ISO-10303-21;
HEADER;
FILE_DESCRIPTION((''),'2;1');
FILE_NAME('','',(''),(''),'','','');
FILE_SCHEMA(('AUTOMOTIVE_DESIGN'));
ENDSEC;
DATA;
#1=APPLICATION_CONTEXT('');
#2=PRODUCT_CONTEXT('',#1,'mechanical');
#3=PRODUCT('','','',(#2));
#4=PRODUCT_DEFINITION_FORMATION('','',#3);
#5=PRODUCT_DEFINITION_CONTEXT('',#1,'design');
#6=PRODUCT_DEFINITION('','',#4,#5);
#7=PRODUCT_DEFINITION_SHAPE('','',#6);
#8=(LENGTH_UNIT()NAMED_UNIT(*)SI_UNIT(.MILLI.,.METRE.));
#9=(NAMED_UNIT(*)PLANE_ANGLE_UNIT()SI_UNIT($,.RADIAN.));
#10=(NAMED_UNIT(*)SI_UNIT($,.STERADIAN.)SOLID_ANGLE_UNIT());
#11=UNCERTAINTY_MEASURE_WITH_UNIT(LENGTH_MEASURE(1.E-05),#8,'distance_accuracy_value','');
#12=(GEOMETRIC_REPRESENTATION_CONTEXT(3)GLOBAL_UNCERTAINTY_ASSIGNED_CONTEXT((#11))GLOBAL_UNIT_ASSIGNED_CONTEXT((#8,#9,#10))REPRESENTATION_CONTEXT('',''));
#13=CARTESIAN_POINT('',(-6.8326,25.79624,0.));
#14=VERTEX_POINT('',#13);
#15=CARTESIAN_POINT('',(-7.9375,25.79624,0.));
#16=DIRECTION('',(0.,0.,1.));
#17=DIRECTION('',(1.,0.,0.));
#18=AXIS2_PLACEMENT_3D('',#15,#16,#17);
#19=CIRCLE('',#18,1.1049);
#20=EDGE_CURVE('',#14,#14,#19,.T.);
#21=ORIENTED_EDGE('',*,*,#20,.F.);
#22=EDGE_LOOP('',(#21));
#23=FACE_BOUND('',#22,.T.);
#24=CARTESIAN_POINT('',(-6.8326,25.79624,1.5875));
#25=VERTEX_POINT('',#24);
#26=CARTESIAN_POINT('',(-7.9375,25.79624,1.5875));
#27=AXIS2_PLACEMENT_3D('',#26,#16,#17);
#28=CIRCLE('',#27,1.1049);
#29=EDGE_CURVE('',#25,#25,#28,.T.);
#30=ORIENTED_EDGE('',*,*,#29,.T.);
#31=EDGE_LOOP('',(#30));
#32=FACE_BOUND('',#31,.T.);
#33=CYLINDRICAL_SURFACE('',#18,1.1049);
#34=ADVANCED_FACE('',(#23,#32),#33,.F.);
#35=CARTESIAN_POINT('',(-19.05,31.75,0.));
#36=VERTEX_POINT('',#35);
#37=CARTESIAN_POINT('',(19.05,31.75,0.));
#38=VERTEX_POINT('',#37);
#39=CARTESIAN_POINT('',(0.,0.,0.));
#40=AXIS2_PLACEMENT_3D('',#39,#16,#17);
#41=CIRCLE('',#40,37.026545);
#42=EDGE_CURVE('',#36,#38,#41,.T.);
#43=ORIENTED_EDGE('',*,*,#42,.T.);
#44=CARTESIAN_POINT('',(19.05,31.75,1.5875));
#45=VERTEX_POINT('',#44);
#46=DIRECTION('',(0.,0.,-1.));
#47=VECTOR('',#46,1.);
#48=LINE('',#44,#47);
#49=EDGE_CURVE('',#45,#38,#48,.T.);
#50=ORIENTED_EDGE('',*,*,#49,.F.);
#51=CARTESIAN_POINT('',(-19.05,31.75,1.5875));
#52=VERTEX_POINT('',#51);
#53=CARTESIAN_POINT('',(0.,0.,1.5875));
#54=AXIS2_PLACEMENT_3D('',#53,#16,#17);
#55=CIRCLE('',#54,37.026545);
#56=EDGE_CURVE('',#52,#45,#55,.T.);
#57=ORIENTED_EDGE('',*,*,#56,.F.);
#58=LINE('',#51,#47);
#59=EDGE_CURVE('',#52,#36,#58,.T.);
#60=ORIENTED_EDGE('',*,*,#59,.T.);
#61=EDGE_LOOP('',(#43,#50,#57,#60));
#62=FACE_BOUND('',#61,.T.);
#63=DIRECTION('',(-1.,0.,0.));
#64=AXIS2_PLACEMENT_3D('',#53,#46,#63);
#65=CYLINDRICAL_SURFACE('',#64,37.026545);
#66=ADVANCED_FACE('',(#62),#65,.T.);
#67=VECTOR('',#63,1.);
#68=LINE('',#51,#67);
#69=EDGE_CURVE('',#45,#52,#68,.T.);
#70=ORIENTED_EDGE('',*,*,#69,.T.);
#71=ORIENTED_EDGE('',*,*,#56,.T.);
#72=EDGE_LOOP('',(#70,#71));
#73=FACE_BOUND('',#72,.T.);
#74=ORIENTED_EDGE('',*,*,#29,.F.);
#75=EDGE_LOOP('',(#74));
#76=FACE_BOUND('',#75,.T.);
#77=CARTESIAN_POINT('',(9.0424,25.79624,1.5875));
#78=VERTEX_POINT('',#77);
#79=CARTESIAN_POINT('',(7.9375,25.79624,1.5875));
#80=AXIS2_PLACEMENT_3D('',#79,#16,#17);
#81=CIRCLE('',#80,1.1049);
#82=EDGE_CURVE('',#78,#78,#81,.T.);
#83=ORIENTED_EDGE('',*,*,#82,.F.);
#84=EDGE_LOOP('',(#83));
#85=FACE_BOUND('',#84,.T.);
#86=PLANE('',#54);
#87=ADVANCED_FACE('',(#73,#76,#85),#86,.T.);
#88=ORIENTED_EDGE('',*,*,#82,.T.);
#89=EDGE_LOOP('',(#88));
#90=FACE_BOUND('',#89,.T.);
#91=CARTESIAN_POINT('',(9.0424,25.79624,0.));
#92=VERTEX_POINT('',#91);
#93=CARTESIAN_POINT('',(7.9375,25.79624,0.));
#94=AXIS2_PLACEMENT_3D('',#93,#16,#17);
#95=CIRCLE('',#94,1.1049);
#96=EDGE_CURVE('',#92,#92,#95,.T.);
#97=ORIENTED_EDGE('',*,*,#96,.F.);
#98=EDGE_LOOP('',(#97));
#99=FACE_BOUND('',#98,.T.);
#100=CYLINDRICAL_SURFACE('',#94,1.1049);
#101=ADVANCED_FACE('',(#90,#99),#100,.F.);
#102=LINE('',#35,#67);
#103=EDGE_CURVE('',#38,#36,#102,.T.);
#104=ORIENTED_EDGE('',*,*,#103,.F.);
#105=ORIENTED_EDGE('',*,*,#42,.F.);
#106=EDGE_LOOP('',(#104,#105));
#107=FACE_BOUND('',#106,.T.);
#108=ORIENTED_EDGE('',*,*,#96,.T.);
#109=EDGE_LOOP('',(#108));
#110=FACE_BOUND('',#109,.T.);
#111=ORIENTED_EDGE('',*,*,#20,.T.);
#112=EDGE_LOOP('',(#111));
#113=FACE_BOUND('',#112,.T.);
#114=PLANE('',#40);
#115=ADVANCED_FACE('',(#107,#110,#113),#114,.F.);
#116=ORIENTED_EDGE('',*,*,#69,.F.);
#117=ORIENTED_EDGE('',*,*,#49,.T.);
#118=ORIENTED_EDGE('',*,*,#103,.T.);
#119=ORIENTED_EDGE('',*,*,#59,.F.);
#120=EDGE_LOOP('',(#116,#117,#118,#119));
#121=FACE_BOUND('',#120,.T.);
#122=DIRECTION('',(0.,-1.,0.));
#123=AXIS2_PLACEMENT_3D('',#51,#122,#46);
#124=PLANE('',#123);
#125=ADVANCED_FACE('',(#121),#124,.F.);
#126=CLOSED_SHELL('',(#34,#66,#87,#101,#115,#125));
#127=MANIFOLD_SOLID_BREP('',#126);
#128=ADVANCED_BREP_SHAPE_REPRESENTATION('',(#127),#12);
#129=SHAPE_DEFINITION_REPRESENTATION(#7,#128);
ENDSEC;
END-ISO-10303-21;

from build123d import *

# Parameters (mm, degrees)
BOSS_EXTRUDE1_DEPTH = 1.5875
SKETCH3_R           = 1.1049
CUT_EXTRUDE1_DEPTH  = 2.5875


with BuildPart() as part:
    # Sketch1 → Boss-Extrude1 (new body)
    with BuildSketch(Plane.XY):
        with BuildLine():
            Line((-19.05, 31.75), (19.05, 31.75))
            ThreePointArc((19.05, 31.75), (0, -37.026544532), (-19.05, 31.75))
        make_face()
    extrude(amount=BOSS_EXTRUDE1_DEPTH)

    # Sketch3 → Cut-Extrude1 (cut, through all)
    with BuildSketch(Plane.XY.offset(1.5875)):
        with Locations((7.9375, 25.79624)):
            Circle(SKETCH3_R)
        with Locations((-7.9375, 25.79624)):
            Circle(SKETCH3_R)
    extrude(amount=-CUT_EXTRUDE1_DEPTH, mode=Mode.SUBTRACT)


solid = part.part
